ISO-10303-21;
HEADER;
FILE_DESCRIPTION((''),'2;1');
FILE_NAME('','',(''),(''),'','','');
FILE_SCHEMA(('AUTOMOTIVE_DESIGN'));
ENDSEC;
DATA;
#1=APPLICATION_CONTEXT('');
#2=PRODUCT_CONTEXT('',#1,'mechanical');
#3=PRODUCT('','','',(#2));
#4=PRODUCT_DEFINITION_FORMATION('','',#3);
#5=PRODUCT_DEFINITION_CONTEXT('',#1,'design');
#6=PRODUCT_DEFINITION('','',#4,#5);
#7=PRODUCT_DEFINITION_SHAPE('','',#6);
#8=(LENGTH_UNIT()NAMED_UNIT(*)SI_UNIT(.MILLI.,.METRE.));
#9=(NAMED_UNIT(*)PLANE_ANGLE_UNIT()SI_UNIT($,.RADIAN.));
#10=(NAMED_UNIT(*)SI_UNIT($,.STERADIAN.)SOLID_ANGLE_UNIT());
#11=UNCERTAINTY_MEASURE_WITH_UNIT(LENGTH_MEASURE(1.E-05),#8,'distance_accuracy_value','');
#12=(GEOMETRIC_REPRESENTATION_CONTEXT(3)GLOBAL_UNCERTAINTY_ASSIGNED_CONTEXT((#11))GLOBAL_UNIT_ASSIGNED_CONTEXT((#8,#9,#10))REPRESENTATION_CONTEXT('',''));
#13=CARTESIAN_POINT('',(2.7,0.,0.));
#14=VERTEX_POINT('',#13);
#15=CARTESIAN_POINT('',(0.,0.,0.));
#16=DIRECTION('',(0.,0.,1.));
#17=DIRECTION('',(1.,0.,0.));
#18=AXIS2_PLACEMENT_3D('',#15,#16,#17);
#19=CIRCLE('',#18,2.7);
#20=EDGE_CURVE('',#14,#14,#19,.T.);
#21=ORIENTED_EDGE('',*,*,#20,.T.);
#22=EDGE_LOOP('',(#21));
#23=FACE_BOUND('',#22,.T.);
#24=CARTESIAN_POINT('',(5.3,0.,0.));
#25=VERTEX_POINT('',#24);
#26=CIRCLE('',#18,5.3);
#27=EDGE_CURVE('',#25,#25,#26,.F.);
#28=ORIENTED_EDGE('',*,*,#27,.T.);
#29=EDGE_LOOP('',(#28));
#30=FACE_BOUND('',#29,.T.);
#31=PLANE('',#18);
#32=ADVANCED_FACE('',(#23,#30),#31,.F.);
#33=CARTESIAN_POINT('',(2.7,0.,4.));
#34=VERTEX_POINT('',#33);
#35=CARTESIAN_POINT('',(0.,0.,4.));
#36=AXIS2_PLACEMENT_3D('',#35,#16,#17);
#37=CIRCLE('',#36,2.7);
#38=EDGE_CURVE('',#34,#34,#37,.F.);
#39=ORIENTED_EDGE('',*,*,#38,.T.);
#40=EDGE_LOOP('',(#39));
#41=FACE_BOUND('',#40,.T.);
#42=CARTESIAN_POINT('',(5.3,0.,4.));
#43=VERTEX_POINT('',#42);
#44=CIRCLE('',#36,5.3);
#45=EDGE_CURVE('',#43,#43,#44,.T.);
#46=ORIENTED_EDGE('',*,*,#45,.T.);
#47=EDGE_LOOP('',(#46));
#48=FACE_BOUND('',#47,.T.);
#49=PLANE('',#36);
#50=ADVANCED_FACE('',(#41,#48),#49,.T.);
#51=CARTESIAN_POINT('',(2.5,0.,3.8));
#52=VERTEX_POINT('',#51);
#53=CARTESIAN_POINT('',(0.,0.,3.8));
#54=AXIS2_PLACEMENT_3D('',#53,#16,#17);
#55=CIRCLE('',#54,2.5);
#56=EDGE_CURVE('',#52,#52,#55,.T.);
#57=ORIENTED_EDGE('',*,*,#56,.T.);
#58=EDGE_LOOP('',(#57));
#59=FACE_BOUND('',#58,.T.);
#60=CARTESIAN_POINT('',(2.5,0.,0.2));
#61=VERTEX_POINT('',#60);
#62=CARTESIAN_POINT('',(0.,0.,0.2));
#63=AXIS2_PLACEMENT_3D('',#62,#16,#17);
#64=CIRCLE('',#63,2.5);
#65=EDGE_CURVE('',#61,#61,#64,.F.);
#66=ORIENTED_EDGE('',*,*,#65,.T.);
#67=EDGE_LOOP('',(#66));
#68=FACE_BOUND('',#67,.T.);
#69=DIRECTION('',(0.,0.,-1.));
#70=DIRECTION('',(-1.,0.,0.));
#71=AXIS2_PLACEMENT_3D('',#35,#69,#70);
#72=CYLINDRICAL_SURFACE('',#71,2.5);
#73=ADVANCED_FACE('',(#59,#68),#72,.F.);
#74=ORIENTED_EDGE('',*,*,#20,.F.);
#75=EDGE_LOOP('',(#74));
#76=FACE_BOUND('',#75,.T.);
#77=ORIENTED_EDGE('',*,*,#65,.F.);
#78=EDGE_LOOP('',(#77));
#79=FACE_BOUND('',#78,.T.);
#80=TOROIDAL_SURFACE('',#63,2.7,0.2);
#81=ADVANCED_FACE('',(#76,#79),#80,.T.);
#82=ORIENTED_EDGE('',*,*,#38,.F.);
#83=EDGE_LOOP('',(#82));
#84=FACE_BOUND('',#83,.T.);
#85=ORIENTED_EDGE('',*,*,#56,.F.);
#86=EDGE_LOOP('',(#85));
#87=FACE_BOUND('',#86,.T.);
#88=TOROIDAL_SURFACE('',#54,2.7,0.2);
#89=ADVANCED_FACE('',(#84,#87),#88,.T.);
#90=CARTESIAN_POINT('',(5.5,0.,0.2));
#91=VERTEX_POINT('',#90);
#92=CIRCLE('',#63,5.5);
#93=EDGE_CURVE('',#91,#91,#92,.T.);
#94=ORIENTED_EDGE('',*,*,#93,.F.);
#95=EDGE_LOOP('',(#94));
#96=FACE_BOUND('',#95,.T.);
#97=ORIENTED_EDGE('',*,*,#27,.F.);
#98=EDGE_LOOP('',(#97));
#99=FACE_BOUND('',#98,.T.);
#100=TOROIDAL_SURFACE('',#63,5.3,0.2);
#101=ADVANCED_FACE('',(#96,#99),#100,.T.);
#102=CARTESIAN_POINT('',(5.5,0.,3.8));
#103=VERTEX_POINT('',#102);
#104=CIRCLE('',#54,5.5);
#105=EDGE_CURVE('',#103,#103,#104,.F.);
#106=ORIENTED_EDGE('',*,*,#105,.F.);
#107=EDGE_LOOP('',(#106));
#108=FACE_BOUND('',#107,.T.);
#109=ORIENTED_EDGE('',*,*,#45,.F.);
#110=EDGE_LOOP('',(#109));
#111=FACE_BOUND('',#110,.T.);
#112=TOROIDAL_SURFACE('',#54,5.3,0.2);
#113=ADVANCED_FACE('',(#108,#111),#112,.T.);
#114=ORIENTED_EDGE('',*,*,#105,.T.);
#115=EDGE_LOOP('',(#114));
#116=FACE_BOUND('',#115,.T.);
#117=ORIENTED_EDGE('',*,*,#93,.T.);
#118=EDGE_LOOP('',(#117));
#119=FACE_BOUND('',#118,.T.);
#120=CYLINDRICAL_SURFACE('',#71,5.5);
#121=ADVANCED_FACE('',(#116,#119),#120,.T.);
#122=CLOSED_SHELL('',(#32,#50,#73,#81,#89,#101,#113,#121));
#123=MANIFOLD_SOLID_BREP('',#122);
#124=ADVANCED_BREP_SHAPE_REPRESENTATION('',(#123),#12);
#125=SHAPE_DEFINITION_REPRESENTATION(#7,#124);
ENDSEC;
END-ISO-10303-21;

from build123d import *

# Parameters (mm, degrees)
SKETCH1_R           = 5.5
SKETCH1_R_2         = 2.5
BOSS_EXTRUDE1_DEPTH = 4
FILLET1_R           = 0.2


with BuildPart() as part:
    # Sketch1 → Boss-Extrude1 (new body)
    with BuildSketch(Plane.XY):
        Circle(SKETCH1_R)
        Circle(SKETCH1_R_2, mode=Mode.SUBTRACT)
    extrude(amount=BOSS_EXTRUDE1_DEPTH)

    # Fillet1
    fillet1_edges = [part.edges().sort_by_distance(p)[0] for p in [
        (-5.5, 0, 0),
        (-5.5, 0, 4),
        (-2.5, 0, 0),
        (-2.5, 0, 4),
    ]]
    fillet(fillet1_edges, radius=FILLET1_R)


solid = part.part
